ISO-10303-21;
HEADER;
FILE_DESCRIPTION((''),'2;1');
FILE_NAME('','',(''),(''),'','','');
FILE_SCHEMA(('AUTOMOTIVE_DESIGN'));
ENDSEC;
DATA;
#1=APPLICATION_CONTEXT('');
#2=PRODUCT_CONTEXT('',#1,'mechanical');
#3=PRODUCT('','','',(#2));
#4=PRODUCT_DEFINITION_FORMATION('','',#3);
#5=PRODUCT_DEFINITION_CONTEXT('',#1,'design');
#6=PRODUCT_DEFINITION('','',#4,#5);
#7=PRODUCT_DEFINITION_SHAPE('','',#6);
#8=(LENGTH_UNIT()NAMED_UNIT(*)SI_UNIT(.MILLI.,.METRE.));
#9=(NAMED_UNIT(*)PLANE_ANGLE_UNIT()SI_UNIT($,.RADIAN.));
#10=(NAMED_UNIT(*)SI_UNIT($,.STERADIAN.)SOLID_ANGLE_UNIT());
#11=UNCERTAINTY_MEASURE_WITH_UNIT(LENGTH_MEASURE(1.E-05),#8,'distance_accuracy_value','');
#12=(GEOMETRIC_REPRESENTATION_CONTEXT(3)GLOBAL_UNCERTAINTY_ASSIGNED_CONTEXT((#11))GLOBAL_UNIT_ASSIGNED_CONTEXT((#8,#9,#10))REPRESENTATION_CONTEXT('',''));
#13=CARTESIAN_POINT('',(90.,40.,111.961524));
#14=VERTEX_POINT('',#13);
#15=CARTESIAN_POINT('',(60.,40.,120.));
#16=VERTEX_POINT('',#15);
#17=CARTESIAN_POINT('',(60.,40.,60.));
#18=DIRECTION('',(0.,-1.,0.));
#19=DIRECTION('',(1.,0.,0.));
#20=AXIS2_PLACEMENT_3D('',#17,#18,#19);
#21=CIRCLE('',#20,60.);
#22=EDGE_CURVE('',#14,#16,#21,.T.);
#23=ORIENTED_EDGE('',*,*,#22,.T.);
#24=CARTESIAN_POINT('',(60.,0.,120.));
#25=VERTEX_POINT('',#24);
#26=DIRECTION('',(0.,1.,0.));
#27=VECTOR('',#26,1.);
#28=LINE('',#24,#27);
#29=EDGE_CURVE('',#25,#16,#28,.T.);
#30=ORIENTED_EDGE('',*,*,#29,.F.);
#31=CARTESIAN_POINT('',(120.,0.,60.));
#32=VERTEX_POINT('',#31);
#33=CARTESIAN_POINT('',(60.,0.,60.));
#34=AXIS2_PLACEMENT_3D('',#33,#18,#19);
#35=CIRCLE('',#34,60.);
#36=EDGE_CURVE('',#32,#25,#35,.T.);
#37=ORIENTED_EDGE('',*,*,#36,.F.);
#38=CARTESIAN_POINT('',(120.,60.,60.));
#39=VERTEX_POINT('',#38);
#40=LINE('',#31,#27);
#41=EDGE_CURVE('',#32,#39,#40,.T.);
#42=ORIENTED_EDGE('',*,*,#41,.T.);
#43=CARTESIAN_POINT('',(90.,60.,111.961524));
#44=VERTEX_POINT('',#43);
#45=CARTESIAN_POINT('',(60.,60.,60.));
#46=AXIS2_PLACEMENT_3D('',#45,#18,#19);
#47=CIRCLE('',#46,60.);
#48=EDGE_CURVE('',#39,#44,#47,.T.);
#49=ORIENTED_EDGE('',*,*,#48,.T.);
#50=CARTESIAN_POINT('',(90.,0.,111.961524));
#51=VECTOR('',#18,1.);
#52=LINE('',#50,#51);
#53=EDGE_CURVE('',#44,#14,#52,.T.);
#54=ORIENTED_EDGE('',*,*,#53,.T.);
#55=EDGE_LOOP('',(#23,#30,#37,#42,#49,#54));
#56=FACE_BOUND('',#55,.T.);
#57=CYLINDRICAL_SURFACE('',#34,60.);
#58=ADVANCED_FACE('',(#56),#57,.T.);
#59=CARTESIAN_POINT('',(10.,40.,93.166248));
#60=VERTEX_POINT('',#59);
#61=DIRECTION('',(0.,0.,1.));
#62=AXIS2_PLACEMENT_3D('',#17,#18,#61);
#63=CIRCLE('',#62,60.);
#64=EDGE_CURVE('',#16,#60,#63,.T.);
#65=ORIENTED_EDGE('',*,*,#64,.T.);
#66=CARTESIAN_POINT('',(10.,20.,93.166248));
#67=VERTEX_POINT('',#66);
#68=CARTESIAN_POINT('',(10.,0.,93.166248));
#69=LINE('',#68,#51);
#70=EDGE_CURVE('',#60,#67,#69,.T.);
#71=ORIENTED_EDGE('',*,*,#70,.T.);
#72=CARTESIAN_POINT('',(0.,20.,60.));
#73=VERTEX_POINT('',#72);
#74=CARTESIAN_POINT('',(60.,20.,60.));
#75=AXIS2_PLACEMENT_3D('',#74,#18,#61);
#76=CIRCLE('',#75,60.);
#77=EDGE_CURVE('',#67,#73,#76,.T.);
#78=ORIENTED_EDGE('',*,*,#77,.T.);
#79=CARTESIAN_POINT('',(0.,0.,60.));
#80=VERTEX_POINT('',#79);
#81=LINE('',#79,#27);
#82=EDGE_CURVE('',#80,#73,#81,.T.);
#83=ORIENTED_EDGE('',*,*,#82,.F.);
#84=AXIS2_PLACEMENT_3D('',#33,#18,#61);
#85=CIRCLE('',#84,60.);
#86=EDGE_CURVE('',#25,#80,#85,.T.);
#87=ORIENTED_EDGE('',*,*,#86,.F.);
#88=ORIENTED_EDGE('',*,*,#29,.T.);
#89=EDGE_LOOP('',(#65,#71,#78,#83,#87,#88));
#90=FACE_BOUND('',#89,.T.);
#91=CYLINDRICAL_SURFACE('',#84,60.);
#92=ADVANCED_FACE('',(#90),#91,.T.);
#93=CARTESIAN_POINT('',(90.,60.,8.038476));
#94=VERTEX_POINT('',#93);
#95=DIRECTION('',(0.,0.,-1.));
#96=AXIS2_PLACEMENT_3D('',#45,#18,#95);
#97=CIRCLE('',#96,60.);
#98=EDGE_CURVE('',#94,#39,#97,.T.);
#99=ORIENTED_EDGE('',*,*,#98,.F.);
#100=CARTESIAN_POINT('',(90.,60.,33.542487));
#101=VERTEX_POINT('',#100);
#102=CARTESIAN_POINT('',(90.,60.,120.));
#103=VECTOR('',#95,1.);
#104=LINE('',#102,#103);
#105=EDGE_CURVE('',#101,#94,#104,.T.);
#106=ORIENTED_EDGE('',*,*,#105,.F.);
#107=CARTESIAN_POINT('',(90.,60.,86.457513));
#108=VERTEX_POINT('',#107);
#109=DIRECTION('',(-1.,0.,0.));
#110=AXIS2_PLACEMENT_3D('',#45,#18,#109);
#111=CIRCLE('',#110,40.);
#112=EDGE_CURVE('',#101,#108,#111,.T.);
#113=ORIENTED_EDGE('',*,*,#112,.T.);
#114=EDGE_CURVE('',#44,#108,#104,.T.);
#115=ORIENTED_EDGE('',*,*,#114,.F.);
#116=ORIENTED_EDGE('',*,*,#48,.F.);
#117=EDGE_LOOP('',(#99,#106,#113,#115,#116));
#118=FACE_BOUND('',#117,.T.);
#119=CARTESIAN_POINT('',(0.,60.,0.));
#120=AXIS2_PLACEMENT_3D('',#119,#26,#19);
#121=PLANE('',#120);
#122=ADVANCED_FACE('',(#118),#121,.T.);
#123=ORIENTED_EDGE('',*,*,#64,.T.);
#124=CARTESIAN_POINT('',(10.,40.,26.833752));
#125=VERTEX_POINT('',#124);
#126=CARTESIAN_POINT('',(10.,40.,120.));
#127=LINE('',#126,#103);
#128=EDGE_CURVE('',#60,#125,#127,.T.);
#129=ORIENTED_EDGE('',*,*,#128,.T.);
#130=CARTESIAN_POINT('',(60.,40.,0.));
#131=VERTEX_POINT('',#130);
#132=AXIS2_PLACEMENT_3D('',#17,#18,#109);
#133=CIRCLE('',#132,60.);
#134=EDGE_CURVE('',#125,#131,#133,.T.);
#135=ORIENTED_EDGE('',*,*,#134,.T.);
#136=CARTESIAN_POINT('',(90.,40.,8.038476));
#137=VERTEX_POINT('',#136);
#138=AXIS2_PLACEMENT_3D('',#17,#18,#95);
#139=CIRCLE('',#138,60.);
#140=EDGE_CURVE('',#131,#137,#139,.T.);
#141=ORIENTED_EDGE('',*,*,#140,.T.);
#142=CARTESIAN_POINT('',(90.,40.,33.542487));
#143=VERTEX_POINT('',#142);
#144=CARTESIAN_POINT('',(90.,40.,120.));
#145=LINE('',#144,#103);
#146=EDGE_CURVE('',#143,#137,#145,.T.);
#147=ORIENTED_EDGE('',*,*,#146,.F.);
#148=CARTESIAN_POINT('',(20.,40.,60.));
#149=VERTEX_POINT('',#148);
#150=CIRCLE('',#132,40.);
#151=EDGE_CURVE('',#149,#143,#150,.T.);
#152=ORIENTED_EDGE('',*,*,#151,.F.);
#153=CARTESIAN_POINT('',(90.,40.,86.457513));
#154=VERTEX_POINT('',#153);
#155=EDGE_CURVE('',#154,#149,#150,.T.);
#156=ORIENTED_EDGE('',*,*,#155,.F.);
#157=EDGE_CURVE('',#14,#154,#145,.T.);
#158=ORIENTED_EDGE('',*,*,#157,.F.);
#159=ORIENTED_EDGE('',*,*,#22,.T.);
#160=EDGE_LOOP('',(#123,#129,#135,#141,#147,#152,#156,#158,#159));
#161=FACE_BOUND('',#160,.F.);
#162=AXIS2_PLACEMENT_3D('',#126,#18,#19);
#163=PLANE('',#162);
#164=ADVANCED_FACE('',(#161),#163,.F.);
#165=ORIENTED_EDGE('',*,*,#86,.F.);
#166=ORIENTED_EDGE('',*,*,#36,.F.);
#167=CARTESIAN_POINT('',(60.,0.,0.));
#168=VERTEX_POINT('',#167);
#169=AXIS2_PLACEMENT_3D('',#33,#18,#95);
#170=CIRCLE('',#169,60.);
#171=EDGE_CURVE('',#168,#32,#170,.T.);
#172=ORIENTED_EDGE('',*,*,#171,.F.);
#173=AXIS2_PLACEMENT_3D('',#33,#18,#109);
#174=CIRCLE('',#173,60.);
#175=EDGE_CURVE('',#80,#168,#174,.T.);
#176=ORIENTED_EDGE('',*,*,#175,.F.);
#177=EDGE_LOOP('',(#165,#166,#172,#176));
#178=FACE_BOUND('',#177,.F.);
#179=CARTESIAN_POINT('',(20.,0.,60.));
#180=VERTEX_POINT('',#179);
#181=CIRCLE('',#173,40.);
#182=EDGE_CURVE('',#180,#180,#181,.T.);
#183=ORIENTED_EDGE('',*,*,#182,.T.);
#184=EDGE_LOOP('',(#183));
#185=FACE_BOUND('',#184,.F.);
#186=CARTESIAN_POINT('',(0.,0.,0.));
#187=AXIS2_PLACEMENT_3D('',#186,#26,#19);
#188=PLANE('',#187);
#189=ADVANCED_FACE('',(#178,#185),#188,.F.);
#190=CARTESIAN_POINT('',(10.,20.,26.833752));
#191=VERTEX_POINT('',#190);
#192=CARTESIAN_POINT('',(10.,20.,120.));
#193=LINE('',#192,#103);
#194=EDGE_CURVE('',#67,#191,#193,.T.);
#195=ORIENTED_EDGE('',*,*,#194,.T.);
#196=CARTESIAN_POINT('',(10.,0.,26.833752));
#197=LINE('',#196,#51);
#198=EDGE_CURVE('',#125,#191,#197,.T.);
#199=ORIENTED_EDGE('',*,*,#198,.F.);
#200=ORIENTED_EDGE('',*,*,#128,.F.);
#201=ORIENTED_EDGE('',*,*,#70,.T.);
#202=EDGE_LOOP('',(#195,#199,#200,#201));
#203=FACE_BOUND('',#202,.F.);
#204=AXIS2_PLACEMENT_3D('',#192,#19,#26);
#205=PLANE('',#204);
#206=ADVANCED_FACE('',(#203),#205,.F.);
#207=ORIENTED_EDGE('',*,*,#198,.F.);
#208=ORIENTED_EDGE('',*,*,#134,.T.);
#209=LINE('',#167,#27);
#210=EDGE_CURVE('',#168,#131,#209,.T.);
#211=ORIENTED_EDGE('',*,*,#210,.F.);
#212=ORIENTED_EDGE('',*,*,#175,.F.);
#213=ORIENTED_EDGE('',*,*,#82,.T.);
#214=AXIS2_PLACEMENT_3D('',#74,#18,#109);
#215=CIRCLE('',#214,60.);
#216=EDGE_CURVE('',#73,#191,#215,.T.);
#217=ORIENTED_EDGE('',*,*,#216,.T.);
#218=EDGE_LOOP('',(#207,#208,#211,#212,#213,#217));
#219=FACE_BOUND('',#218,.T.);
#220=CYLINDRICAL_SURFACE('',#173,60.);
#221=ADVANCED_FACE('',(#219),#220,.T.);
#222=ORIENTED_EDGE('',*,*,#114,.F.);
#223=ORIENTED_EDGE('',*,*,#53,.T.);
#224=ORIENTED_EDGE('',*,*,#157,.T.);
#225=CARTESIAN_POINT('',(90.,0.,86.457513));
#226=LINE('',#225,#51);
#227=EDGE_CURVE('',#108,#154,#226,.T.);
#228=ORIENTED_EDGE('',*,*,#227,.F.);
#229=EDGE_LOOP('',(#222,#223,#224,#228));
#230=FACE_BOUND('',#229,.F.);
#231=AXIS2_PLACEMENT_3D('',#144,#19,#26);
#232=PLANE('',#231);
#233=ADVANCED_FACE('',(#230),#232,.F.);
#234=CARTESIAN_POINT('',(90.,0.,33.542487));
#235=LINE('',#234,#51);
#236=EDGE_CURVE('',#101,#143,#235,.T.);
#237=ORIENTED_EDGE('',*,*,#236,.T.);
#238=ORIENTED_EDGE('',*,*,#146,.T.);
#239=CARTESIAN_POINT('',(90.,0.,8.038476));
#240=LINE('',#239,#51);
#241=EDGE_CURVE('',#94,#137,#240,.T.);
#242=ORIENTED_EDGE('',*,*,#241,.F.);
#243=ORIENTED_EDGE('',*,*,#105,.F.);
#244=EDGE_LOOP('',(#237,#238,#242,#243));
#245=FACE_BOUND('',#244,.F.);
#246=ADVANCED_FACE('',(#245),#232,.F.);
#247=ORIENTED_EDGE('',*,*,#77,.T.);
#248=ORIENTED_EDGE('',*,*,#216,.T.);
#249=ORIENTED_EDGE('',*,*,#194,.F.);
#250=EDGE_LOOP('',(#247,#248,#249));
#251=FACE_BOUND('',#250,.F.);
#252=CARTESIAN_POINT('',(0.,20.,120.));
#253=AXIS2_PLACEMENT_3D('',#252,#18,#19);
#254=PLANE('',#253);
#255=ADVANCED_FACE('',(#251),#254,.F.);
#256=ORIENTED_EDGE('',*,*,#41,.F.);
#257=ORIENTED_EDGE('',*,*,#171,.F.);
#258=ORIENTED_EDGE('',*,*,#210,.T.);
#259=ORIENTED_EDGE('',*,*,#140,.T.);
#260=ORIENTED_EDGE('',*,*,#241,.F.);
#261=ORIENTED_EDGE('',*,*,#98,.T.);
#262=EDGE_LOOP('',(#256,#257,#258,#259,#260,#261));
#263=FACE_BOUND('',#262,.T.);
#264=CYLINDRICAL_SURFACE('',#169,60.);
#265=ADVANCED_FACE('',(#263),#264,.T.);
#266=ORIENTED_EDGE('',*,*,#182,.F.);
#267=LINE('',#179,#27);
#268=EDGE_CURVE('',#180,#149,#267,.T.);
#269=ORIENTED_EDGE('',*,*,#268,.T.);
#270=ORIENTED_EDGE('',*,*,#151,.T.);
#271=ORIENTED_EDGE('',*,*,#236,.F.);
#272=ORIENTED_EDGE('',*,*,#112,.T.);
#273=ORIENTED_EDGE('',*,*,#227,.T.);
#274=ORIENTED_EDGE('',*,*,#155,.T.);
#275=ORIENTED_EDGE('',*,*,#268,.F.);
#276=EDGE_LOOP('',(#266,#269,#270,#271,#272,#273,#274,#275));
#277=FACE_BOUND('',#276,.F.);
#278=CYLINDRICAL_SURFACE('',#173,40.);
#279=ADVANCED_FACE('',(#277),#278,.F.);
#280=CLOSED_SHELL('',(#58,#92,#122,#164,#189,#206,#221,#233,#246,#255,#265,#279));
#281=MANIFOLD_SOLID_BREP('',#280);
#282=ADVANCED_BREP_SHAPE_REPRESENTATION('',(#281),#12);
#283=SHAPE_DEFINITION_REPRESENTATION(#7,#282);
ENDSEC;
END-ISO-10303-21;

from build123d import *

# Parameters (mm, degrees)
SKETCH1_W           = 120
SKETCH1_H           = 60
BOSS_EXTRUDE1_DEPTH = 120
CUT_EXTRUDE1_DEPTH  = 120
CUT_EXTRUDE2_DEPTH  = 120
SKETCH5_R           = 40
CUT_EXTRUDE3_DEPTH  = 120


with BuildPart() as part:
    # Sketch1 → Boss-Extrude1 (new body)
    with BuildSketch(Plane.XY):
        with Locations((60, 30)):
            Rectangle(SKETCH1_W, SKETCH1_H)
    extrude(amount=BOSS_EXTRUDE1_DEPTH)

    # Sketch2 → Cut-Extrude1 (cut)
    with BuildSketch(Plane.XY.offset(120)):
        Polygon((0, 60), (0, 20), (10, 20), (10, 40), (90, 40), (90, 60), align=None)
    extrude(amount=-CUT_EXTRUDE1_DEPTH, mode=Mode.SUBTRACT)

    # Sketch3 → Cut-Extrude2 (cut)
    with BuildSketch(Plane(origin=(0, 0, 0), x_dir=(1, 0, 0), z_dir=(0, 1, 0))):
        with BuildLine():
            Line((120, 0), (60, 0))
            ThreePointArc((60, 0), (102.426406871, -17.573593129), (120, -60))
            Line((120, -60), (120, 0))
        make_face()
        with BuildLine():
            ThreePointArc((0, -60), (17.573593129, -17.573593129), (60, 0))
            Line((60, 0), (0, 0))
            Line((0, 0), (0, -60))
        make_face()
        with BuildLine():
            ThreePointArc((60, -120), (17.573593129, -102.426406871), (0, -60))
            Line((0, -60), (0, -120))
            Line((0, -120), (60, -120))
        make_face()
        with BuildLine():
            Line((120, -120), (120, -60))
            ThreePointArc((120, -60), (102.426406871, -102.426406871), (60, -120))
            Line((60, -120), (120, -120))
        make_face()
    extrude(amount=CUT_EXTRUDE2_DEPTH, mode=Mode.SUBTRACT)

    # Sketch5 → Cut-Extrude3 (cut)
    with BuildSketch(Plane(origin=(0, 0, 0), x_dir=(-1, 0, 0), z_dir=(0, -1, 0))):
        with Locations((-60, -60)):
            Circle(SKETCH5_R)
    extrude(amount=-CUT_EXTRUDE3_DEPTH, mode=Mode.SUBTRACT)


solid = part.part
